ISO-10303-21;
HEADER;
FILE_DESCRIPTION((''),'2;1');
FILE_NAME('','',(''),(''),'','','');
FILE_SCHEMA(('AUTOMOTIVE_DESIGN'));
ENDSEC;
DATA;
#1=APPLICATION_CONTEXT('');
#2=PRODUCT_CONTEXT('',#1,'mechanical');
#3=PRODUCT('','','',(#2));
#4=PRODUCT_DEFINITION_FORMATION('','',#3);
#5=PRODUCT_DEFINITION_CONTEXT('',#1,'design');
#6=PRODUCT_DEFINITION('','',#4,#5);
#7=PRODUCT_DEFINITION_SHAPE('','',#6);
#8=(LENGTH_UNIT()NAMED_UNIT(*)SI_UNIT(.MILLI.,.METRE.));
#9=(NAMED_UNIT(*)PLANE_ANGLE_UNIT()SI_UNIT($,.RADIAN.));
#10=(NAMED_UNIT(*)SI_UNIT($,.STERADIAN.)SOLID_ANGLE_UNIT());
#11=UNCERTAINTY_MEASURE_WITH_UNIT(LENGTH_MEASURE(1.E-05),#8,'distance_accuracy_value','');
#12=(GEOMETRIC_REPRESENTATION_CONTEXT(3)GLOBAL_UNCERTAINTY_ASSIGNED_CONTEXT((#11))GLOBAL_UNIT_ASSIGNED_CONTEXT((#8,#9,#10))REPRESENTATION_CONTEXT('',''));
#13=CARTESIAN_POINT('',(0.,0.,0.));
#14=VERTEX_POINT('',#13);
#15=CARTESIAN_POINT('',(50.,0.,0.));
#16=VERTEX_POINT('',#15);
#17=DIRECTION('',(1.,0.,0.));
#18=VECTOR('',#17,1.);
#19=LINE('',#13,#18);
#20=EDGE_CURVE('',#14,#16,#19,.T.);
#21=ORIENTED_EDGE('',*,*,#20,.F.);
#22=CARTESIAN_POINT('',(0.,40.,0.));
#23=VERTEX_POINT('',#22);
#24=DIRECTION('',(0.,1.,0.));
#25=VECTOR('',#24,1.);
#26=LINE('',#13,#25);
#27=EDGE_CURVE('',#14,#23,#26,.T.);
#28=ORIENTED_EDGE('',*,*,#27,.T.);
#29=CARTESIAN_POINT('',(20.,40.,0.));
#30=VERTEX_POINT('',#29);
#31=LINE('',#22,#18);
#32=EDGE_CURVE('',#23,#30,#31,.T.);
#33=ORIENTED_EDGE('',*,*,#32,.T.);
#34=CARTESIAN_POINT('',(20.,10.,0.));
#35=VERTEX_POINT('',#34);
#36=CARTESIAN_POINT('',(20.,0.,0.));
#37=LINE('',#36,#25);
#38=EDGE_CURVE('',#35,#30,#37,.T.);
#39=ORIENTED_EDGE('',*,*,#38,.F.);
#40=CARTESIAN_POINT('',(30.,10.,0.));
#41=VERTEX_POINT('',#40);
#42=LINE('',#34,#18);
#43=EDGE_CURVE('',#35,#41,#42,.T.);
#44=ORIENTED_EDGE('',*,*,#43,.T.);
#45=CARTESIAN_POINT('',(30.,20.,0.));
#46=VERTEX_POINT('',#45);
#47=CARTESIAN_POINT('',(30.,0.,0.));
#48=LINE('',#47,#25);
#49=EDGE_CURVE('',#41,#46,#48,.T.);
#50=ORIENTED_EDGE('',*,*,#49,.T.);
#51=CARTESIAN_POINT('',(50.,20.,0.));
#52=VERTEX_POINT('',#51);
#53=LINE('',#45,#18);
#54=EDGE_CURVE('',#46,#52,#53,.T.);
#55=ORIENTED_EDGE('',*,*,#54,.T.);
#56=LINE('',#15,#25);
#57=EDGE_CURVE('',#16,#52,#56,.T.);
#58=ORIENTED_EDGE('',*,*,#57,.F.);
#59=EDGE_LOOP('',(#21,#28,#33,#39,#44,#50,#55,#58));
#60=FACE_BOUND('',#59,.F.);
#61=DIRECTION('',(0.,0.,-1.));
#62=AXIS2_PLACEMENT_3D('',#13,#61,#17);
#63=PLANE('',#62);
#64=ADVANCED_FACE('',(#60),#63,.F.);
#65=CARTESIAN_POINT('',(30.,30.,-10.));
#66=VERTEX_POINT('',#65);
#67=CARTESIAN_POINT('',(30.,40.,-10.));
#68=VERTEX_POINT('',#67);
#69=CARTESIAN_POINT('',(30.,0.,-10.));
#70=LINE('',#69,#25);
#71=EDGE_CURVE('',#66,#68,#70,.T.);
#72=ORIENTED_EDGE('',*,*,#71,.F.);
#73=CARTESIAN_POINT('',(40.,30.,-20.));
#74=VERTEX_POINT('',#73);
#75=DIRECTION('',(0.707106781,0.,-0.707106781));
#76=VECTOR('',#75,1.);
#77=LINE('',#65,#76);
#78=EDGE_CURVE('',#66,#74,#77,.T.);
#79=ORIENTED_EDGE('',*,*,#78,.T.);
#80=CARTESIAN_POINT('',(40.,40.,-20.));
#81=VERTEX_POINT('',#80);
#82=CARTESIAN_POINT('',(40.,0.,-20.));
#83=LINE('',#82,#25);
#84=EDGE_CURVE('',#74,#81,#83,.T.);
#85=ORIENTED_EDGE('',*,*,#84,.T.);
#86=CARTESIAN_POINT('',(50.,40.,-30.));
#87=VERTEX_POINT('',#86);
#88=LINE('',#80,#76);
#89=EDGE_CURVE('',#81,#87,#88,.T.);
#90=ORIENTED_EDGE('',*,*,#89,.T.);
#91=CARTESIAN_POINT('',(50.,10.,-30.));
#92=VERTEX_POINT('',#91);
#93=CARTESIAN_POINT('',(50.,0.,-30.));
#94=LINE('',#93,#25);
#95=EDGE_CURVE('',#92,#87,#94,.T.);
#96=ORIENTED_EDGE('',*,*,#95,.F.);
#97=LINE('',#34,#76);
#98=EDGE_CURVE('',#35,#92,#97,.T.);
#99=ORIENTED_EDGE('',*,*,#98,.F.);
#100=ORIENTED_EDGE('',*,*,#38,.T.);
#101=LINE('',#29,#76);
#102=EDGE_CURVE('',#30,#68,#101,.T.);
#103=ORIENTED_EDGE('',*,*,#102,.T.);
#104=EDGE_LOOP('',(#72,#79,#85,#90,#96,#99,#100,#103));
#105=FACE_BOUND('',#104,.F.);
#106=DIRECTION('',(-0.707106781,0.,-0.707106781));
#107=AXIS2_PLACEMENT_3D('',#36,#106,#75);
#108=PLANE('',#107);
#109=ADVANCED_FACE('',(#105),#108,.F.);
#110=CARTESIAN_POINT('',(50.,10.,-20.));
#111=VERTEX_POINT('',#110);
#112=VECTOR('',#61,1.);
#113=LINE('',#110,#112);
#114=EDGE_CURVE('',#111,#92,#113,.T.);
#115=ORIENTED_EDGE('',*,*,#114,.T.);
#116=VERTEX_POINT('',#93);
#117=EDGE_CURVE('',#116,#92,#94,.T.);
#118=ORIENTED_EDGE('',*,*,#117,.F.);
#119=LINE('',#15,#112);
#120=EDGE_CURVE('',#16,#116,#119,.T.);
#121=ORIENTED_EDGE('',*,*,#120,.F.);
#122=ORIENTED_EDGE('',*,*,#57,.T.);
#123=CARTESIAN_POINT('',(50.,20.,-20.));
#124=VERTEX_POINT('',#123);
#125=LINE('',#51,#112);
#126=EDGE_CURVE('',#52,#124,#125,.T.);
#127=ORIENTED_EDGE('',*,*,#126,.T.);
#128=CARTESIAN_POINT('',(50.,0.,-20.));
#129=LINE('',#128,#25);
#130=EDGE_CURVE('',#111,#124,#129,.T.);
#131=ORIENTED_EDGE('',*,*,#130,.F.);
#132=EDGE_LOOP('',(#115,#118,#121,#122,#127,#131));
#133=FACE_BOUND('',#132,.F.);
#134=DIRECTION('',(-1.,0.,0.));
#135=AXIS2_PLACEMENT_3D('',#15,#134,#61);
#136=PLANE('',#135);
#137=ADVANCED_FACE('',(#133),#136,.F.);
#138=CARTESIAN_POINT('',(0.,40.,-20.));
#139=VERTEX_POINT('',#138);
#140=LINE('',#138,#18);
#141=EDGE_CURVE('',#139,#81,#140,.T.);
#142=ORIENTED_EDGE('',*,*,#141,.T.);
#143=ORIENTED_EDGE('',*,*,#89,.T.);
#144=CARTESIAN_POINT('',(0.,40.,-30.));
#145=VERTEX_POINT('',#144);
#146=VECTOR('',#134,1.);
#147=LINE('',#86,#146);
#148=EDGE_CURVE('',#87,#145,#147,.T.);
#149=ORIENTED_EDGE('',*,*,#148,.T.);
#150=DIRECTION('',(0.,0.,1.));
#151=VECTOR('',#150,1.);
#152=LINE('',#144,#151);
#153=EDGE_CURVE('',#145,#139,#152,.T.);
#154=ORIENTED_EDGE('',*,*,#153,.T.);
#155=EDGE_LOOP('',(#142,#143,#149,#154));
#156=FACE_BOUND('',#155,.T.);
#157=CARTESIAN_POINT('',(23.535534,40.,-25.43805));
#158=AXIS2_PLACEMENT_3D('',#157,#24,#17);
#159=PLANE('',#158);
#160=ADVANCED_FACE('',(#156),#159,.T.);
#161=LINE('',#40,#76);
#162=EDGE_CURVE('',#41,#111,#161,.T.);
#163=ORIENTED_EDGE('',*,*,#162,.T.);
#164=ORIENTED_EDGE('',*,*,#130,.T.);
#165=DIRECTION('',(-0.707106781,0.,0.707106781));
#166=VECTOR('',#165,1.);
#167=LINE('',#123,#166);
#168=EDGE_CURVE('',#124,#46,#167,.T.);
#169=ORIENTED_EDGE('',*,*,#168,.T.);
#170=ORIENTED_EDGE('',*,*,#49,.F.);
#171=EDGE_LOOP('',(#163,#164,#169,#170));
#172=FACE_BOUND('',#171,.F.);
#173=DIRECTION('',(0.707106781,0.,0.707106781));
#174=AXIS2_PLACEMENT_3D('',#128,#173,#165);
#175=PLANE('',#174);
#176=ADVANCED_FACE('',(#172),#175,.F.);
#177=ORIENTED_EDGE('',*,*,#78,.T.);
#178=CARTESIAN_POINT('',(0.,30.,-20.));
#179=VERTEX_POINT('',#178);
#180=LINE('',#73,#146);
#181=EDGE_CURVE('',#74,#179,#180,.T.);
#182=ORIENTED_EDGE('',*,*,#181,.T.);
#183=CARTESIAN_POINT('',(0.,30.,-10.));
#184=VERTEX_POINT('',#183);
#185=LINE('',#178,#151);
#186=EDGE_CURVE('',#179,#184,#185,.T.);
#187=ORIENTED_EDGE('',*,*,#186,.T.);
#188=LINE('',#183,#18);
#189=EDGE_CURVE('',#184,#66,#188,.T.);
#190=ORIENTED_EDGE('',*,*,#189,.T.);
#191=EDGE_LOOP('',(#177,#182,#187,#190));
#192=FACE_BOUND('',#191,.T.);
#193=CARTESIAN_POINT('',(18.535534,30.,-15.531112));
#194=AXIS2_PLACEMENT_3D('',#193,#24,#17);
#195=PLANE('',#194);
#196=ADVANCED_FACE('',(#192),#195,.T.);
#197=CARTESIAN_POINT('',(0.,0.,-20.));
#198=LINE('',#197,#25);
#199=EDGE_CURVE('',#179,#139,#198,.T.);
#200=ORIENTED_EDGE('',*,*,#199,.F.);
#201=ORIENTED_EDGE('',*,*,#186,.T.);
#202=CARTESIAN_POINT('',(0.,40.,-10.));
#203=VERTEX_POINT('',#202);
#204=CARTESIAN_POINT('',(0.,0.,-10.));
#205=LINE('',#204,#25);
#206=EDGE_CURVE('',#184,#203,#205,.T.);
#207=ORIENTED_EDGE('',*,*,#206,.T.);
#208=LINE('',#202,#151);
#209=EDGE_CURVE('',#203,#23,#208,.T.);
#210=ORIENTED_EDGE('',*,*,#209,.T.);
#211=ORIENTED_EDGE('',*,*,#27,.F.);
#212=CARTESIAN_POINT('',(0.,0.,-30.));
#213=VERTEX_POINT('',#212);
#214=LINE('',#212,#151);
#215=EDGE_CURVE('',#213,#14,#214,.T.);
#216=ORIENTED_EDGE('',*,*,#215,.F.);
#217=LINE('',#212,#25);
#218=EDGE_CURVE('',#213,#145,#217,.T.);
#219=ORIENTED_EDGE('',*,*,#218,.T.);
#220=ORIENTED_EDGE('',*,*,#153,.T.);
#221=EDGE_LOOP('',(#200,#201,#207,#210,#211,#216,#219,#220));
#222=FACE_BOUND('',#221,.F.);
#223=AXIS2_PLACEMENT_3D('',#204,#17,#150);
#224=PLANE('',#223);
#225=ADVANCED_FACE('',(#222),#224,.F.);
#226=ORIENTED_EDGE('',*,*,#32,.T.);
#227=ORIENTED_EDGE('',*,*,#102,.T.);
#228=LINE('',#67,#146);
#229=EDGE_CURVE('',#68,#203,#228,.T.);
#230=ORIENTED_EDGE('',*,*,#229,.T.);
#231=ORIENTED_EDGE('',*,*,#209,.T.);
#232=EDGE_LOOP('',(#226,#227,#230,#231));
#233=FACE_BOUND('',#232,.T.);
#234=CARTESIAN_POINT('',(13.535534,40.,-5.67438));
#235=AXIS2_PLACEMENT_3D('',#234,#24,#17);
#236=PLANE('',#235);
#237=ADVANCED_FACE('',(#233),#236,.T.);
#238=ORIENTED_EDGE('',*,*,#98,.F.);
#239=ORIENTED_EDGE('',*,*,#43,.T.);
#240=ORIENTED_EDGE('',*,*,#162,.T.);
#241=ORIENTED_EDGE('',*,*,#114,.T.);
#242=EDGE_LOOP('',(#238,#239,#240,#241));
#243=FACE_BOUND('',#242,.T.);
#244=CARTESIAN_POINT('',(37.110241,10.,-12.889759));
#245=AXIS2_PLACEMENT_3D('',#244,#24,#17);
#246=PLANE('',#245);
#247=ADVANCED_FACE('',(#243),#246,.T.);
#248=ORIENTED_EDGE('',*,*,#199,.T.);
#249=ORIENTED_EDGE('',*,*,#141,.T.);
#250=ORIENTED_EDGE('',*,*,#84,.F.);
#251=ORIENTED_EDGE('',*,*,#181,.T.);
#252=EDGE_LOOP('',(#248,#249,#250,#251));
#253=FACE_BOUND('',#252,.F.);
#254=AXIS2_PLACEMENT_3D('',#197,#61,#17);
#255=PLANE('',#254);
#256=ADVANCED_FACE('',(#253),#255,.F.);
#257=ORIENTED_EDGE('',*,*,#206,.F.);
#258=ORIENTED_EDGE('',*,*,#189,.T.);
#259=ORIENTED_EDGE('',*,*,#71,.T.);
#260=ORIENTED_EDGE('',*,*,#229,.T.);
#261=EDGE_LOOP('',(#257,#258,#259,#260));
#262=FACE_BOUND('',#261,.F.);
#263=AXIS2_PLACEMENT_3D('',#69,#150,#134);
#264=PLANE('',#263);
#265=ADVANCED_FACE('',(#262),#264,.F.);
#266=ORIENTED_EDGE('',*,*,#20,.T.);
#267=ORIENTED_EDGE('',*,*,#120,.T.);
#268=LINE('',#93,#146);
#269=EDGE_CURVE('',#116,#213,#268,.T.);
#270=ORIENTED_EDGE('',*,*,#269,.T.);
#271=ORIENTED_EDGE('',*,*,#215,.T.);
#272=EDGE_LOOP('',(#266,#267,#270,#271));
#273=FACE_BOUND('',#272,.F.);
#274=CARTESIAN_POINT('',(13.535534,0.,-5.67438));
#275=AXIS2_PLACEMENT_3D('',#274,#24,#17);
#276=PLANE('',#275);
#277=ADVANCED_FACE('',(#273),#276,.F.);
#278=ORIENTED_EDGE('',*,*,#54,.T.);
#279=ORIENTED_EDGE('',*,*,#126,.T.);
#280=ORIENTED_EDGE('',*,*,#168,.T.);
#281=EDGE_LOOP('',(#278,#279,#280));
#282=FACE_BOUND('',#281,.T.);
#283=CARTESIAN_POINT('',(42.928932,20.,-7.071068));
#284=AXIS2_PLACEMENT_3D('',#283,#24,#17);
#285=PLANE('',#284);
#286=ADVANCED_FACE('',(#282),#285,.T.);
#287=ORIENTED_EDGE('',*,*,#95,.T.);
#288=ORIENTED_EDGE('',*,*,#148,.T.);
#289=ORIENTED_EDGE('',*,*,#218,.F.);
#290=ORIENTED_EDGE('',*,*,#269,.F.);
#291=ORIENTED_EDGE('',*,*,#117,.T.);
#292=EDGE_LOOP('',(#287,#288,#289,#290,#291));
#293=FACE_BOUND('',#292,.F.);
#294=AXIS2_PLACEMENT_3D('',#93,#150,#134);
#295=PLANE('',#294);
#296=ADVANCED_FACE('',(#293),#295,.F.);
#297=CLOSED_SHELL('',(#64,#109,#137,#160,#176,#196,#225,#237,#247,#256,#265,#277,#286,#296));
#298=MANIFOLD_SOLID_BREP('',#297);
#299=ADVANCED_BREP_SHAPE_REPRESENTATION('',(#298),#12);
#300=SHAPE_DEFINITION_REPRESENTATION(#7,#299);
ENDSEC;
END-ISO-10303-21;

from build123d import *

# Parameters (mm, degrees)
BOSS_EXTRUDE1_DEPTH = 10
BOSS_EXTRUDE2_DEPTH = 20
BOSS_EXTRUDE3_DEPTH = 30
BOSS_EXTRUDE4_DEPTH = 40


with BuildPart() as part:
    # Sketch1 → Boss-Extrude1 (new body)
    with BuildSketch(Plane(origin=(0, 0, 0), x_dir=(1, 0, 0), z_dir=(0, 1, 0))):
        Polygon((30, 10), (20, 0), (30, 0), (50, 20), (50, 30), (40, 20), align=None)
    extrude(amount=BOSS_EXTRUDE1_DEPTH)

    # Sketch1<3> → Boss-Extrude2 (add)
    with BuildSketch(Plane(origin=(0, 0, 0), x_dir=(1, 0, 0), z_dir=(0, 1, 0))):
        Polygon((50, 20), (30, 0), (50, 0), align=None)
    extrude(amount=BOSS_EXTRUDE2_DEPTH)

    # Sketch1<4> → Boss-Extrude3 (add)
    with BuildSketch(Plane(origin=(0, 0, 0), x_dir=(1, 0, 0), z_dir=(0, 1, 0))):
        Polygon((0, 20), (0, 10), (30, 10), (40, 20), align=None)
    extrude(amount=BOSS_EXTRUDE3_DEPTH)

    # Sketch1<5> → Boss-Extrude4 (add)
    with BuildSketch(Plane(origin=(0, 0, 0), x_dir=(1, 0, 0), z_dir=(0, 1, 0))):
        Polygon((0, 10), (0, 0), (20, 0), (30, 10), align=None)
        Polygon((0, 30), (0, 20), (40, 20), (50, 30), align=None)
    extrude(amount=BOSS_EXTRUDE4_DEPTH)


solid = part.part
